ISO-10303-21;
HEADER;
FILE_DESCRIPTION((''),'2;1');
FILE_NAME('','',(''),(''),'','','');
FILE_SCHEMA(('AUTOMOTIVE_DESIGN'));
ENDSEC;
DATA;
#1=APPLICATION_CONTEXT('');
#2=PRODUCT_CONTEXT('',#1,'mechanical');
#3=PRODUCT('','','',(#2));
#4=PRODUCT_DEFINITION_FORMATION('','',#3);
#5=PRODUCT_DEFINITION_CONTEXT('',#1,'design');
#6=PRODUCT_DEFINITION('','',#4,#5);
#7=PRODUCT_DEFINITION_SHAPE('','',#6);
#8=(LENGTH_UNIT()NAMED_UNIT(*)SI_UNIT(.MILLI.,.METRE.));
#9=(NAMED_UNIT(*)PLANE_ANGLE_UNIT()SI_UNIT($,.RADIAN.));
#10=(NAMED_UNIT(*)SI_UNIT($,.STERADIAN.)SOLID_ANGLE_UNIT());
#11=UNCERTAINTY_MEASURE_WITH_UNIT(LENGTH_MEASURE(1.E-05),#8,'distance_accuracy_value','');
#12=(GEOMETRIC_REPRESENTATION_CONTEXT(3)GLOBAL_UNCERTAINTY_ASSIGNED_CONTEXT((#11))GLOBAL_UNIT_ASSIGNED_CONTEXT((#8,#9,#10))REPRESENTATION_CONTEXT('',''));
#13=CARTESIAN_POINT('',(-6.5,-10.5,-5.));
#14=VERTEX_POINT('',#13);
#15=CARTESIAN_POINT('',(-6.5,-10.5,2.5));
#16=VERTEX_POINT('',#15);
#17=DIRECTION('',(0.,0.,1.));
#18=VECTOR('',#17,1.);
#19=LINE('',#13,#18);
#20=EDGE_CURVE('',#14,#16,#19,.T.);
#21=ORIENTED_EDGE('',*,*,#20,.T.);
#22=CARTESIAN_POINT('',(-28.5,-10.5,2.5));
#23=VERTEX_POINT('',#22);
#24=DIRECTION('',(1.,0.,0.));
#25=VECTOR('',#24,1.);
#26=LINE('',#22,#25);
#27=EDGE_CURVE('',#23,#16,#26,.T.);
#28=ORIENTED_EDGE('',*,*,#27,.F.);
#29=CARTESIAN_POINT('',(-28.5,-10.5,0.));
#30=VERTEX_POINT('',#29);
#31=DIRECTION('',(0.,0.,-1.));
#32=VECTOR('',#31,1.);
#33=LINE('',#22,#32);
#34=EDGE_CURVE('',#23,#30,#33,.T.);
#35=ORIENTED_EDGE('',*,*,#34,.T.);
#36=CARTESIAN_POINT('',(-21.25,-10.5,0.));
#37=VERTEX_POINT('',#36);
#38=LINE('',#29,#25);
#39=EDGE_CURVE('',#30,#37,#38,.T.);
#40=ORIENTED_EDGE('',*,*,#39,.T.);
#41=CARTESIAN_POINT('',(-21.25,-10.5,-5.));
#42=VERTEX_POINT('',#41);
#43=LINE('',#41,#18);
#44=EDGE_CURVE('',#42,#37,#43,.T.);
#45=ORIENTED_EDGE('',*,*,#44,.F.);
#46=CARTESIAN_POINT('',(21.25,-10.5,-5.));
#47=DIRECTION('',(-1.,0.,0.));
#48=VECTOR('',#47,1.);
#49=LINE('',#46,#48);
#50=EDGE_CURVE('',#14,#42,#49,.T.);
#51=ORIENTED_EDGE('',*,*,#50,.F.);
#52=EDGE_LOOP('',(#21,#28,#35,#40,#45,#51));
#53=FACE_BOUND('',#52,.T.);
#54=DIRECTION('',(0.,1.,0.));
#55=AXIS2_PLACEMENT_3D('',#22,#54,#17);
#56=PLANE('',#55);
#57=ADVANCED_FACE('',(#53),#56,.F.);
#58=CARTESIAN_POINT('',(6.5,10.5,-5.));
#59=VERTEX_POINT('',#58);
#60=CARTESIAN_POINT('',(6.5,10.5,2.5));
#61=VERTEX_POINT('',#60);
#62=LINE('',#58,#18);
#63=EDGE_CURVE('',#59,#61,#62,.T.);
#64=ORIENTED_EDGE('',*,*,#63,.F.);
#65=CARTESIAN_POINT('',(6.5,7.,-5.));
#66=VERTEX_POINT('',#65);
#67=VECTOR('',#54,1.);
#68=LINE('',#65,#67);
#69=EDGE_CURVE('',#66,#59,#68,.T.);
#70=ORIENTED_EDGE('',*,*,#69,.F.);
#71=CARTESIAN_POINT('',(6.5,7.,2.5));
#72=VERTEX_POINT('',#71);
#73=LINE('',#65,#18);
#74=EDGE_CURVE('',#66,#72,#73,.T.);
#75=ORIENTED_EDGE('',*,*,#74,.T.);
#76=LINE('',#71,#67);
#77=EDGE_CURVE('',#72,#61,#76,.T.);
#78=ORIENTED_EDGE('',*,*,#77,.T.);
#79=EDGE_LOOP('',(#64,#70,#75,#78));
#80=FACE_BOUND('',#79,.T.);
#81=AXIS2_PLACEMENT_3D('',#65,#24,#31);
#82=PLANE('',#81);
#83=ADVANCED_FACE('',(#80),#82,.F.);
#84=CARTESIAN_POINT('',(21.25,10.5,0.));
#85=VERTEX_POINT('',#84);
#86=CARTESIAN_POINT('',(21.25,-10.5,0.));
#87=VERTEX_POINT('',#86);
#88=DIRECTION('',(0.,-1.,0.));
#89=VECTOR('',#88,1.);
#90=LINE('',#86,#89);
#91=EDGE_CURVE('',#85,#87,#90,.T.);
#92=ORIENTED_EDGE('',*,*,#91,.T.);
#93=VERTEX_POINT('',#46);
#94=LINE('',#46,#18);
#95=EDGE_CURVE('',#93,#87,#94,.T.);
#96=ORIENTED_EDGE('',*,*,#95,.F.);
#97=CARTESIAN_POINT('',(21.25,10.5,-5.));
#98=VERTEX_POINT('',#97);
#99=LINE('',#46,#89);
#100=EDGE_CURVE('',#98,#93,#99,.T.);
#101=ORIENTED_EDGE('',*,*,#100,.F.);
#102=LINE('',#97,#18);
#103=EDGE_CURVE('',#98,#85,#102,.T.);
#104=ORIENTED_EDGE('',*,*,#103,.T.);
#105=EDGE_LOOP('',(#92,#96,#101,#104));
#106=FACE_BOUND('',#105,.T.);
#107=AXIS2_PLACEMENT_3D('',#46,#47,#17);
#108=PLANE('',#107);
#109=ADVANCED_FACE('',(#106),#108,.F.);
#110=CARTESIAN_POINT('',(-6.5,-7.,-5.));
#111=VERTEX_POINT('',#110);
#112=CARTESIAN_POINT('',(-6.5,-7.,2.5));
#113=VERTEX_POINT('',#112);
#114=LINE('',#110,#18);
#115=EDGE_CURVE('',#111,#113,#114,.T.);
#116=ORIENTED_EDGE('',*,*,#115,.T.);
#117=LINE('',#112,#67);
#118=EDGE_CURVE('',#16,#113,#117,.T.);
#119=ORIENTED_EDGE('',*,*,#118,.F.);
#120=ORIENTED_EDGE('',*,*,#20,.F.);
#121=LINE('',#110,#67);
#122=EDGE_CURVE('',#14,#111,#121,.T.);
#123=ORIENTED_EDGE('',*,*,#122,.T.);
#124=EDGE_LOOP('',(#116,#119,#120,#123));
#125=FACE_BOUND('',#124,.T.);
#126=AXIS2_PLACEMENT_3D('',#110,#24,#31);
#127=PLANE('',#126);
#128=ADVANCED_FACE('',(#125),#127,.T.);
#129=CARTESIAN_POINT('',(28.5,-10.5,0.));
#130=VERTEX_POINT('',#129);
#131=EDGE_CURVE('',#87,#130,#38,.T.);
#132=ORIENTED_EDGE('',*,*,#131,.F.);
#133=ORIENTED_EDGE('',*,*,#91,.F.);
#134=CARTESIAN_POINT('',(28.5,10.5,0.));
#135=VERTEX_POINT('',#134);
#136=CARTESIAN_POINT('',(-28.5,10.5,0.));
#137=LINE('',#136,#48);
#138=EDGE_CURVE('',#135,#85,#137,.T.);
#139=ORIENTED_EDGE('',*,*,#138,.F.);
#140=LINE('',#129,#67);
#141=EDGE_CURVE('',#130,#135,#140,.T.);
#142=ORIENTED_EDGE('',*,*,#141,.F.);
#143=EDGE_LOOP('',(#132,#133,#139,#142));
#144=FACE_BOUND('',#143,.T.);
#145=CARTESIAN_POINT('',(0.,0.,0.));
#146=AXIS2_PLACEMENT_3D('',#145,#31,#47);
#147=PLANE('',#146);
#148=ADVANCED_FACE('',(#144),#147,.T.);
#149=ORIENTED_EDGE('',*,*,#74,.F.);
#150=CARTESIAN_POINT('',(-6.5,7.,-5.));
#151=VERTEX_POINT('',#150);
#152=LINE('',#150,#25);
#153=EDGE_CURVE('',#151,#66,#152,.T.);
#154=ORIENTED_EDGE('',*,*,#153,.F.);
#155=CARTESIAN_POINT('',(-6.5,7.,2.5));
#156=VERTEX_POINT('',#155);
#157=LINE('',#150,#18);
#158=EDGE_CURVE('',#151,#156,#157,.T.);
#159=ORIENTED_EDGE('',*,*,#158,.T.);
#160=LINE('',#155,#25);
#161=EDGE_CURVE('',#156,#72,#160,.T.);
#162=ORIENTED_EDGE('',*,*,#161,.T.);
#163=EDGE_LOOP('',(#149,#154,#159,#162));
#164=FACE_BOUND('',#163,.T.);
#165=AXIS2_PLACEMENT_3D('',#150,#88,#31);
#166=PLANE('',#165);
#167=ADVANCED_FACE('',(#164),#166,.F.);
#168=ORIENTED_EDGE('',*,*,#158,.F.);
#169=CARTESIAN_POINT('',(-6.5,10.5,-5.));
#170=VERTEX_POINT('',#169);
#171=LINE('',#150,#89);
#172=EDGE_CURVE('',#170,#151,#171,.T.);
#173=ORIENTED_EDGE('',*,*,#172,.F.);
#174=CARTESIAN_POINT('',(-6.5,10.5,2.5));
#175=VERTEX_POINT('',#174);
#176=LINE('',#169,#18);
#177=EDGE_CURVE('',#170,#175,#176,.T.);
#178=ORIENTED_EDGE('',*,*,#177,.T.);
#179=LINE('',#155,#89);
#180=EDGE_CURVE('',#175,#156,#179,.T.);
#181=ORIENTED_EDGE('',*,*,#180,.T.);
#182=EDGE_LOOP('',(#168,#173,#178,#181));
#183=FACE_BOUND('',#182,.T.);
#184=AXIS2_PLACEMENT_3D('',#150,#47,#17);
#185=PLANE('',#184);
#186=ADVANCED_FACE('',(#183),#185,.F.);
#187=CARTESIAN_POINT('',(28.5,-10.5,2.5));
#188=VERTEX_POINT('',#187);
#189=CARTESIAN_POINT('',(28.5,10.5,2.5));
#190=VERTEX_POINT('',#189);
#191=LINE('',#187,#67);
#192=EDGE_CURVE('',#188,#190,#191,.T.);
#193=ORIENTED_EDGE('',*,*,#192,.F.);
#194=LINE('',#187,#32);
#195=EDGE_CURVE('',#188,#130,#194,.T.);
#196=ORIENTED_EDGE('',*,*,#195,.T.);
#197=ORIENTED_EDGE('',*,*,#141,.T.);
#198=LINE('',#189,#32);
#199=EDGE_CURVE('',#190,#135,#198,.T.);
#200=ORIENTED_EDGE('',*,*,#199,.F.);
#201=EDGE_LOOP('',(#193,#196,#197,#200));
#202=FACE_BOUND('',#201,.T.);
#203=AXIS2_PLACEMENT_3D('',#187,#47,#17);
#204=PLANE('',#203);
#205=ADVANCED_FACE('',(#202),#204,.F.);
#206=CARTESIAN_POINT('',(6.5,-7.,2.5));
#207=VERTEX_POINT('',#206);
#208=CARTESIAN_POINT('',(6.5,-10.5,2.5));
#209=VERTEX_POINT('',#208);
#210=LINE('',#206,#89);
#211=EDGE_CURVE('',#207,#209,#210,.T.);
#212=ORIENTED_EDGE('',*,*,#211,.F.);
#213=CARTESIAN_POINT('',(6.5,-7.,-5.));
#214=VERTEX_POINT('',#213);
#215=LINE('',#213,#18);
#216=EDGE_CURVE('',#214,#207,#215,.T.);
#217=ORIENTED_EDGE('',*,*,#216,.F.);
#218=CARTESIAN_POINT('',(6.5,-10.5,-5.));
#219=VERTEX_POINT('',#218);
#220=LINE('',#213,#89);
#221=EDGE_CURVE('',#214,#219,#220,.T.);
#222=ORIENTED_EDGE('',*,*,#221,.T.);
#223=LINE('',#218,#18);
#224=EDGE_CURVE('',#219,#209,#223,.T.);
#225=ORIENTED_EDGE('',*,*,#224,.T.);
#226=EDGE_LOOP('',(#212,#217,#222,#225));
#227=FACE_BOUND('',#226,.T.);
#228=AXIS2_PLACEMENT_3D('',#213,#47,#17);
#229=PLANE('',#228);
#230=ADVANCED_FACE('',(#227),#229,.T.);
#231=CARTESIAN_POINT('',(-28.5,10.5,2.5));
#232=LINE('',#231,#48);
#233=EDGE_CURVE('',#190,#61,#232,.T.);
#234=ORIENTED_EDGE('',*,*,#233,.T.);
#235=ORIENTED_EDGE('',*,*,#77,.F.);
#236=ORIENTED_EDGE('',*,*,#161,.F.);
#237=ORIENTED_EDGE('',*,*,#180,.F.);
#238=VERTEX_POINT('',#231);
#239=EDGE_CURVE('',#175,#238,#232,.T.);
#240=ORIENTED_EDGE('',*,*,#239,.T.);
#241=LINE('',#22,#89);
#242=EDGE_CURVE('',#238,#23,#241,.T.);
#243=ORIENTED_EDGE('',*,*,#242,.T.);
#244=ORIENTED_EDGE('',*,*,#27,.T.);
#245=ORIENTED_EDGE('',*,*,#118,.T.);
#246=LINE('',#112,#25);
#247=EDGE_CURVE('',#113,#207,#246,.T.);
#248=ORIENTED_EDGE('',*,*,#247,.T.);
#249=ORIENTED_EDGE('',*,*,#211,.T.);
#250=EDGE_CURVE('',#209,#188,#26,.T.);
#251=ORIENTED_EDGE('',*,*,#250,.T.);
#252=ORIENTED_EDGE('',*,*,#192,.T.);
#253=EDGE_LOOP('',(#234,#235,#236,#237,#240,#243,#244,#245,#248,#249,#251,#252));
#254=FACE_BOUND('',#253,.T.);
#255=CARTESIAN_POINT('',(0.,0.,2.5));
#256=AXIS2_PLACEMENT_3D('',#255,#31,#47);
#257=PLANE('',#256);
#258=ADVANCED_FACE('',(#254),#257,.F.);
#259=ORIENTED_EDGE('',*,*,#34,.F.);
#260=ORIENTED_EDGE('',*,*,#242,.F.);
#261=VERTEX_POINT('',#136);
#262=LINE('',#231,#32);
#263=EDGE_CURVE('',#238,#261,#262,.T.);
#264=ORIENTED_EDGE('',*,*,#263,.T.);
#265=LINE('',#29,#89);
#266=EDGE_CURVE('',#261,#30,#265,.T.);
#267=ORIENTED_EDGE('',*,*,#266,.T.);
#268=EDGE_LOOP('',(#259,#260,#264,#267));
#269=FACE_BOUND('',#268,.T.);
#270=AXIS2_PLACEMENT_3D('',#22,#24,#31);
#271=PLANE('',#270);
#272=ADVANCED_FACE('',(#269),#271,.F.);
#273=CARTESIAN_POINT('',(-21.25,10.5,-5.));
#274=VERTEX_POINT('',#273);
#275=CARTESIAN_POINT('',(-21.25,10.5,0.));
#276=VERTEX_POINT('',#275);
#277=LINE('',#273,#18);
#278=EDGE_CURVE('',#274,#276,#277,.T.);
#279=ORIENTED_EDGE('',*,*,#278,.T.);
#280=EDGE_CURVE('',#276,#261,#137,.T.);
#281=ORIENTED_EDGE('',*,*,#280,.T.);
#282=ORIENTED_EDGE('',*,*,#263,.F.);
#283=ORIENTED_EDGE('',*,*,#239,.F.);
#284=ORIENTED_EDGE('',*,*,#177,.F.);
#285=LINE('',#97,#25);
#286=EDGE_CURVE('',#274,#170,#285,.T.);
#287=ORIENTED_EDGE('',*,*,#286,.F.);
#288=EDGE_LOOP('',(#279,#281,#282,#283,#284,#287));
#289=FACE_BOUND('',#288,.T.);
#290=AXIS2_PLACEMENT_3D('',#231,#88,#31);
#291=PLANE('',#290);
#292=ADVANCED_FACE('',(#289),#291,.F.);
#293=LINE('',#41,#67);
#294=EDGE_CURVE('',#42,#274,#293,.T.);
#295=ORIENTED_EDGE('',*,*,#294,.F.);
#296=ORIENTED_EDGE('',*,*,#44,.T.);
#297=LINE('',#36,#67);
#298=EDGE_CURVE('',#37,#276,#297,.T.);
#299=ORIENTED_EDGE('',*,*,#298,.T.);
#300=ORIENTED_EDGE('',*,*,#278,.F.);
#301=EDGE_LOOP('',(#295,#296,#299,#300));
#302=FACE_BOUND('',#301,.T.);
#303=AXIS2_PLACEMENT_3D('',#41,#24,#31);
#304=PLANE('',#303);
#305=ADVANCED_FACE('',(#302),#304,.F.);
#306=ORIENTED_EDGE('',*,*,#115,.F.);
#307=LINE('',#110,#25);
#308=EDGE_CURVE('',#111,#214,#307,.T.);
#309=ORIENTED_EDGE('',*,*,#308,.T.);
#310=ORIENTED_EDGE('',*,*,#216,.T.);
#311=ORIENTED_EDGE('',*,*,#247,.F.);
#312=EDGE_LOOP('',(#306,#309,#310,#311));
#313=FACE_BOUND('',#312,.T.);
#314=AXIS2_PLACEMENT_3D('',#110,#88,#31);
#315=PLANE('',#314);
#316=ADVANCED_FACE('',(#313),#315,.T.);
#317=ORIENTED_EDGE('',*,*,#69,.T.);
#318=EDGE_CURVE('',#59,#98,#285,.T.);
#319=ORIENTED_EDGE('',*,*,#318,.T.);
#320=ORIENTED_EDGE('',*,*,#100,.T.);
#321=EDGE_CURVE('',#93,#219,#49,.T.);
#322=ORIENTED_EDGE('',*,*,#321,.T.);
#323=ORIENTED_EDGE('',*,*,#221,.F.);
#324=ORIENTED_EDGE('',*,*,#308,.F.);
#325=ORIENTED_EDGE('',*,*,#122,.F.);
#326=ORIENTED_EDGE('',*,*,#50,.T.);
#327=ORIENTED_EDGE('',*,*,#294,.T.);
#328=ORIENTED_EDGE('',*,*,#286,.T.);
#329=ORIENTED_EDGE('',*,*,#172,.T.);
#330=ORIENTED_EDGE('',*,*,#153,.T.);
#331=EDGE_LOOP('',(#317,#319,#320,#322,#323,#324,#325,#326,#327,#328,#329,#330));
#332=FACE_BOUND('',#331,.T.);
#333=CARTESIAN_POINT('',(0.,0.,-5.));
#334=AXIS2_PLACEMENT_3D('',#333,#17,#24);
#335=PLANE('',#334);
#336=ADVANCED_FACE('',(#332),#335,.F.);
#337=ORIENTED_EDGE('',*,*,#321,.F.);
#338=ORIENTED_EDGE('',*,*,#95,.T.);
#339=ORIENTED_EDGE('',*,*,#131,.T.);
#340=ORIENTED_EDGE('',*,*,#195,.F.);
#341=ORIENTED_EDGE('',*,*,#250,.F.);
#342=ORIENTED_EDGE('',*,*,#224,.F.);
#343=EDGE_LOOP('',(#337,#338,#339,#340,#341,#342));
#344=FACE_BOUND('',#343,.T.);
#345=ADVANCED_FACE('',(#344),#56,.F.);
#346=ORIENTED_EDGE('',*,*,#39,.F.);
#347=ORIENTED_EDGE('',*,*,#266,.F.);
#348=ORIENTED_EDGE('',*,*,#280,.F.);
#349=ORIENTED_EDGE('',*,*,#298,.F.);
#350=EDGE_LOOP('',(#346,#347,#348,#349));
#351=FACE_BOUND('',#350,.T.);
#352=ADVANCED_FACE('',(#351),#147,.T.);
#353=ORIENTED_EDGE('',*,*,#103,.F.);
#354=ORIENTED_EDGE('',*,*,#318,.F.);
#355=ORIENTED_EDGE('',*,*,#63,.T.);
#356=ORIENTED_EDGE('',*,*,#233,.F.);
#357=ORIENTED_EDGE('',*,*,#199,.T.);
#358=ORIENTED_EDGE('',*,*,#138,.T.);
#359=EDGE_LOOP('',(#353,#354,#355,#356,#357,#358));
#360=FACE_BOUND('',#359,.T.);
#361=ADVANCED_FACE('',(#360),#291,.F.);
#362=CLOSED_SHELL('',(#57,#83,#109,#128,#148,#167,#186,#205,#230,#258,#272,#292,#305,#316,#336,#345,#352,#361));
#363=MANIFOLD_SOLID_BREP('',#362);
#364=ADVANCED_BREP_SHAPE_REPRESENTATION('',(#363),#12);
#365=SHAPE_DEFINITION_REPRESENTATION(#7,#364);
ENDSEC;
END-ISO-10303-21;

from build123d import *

# Parameters (mm, degrees)
SKETCH1_W           = 57
SKETCH1_H           = 21
BOSS_EXTRUDE1_DEPTH = 2.5
SKETCH2_W           = 42.5
SKETCH2_H           = 21
BOSS_EXTRUDE2_DEPTH = 5
SKETCH3_W           = 13
SKETCH3_H           = 3.5
CUT_EXTRUDE1_DEPTH  = 8.5


with BuildPart() as part:
    # Sketch1 → Boss-Extrude1 (new body)
    with BuildSketch(Plane.XY):
        Rectangle(SKETCH1_W, SKETCH1_H)
    extrude(amount=BOSS_EXTRUDE1_DEPTH)

    # Sketch2 → Boss-Extrude2 (add)
    with BuildSketch(Plane(origin=(0, 0, 0), x_dir=(-1, 0, 0), z_dir=(0, 0, -1))):
        Rectangle(SKETCH2_W, SKETCH2_H)
    extrude(amount=BOSS_EXTRUDE2_DEPTH)

    # Sketch3 → Cut-Extrude1 (cut, through all)
    with BuildSketch(Plane.XY.offset(2.5)):
        with Locations((0, 8.75)):
            Rectangle(SKETCH3_W, SKETCH3_H)
    cut_extrude1 = extrude(amount=-CUT_EXTRUDE1_DEPTH, mode=Mode.SUBTRACT)

    # Mirror1: Cut-Extrude1 across plane
    add(cut_extrude1.mirror(Plane.ZX), mode=Mode.SUBTRACT)


solid = part.part
